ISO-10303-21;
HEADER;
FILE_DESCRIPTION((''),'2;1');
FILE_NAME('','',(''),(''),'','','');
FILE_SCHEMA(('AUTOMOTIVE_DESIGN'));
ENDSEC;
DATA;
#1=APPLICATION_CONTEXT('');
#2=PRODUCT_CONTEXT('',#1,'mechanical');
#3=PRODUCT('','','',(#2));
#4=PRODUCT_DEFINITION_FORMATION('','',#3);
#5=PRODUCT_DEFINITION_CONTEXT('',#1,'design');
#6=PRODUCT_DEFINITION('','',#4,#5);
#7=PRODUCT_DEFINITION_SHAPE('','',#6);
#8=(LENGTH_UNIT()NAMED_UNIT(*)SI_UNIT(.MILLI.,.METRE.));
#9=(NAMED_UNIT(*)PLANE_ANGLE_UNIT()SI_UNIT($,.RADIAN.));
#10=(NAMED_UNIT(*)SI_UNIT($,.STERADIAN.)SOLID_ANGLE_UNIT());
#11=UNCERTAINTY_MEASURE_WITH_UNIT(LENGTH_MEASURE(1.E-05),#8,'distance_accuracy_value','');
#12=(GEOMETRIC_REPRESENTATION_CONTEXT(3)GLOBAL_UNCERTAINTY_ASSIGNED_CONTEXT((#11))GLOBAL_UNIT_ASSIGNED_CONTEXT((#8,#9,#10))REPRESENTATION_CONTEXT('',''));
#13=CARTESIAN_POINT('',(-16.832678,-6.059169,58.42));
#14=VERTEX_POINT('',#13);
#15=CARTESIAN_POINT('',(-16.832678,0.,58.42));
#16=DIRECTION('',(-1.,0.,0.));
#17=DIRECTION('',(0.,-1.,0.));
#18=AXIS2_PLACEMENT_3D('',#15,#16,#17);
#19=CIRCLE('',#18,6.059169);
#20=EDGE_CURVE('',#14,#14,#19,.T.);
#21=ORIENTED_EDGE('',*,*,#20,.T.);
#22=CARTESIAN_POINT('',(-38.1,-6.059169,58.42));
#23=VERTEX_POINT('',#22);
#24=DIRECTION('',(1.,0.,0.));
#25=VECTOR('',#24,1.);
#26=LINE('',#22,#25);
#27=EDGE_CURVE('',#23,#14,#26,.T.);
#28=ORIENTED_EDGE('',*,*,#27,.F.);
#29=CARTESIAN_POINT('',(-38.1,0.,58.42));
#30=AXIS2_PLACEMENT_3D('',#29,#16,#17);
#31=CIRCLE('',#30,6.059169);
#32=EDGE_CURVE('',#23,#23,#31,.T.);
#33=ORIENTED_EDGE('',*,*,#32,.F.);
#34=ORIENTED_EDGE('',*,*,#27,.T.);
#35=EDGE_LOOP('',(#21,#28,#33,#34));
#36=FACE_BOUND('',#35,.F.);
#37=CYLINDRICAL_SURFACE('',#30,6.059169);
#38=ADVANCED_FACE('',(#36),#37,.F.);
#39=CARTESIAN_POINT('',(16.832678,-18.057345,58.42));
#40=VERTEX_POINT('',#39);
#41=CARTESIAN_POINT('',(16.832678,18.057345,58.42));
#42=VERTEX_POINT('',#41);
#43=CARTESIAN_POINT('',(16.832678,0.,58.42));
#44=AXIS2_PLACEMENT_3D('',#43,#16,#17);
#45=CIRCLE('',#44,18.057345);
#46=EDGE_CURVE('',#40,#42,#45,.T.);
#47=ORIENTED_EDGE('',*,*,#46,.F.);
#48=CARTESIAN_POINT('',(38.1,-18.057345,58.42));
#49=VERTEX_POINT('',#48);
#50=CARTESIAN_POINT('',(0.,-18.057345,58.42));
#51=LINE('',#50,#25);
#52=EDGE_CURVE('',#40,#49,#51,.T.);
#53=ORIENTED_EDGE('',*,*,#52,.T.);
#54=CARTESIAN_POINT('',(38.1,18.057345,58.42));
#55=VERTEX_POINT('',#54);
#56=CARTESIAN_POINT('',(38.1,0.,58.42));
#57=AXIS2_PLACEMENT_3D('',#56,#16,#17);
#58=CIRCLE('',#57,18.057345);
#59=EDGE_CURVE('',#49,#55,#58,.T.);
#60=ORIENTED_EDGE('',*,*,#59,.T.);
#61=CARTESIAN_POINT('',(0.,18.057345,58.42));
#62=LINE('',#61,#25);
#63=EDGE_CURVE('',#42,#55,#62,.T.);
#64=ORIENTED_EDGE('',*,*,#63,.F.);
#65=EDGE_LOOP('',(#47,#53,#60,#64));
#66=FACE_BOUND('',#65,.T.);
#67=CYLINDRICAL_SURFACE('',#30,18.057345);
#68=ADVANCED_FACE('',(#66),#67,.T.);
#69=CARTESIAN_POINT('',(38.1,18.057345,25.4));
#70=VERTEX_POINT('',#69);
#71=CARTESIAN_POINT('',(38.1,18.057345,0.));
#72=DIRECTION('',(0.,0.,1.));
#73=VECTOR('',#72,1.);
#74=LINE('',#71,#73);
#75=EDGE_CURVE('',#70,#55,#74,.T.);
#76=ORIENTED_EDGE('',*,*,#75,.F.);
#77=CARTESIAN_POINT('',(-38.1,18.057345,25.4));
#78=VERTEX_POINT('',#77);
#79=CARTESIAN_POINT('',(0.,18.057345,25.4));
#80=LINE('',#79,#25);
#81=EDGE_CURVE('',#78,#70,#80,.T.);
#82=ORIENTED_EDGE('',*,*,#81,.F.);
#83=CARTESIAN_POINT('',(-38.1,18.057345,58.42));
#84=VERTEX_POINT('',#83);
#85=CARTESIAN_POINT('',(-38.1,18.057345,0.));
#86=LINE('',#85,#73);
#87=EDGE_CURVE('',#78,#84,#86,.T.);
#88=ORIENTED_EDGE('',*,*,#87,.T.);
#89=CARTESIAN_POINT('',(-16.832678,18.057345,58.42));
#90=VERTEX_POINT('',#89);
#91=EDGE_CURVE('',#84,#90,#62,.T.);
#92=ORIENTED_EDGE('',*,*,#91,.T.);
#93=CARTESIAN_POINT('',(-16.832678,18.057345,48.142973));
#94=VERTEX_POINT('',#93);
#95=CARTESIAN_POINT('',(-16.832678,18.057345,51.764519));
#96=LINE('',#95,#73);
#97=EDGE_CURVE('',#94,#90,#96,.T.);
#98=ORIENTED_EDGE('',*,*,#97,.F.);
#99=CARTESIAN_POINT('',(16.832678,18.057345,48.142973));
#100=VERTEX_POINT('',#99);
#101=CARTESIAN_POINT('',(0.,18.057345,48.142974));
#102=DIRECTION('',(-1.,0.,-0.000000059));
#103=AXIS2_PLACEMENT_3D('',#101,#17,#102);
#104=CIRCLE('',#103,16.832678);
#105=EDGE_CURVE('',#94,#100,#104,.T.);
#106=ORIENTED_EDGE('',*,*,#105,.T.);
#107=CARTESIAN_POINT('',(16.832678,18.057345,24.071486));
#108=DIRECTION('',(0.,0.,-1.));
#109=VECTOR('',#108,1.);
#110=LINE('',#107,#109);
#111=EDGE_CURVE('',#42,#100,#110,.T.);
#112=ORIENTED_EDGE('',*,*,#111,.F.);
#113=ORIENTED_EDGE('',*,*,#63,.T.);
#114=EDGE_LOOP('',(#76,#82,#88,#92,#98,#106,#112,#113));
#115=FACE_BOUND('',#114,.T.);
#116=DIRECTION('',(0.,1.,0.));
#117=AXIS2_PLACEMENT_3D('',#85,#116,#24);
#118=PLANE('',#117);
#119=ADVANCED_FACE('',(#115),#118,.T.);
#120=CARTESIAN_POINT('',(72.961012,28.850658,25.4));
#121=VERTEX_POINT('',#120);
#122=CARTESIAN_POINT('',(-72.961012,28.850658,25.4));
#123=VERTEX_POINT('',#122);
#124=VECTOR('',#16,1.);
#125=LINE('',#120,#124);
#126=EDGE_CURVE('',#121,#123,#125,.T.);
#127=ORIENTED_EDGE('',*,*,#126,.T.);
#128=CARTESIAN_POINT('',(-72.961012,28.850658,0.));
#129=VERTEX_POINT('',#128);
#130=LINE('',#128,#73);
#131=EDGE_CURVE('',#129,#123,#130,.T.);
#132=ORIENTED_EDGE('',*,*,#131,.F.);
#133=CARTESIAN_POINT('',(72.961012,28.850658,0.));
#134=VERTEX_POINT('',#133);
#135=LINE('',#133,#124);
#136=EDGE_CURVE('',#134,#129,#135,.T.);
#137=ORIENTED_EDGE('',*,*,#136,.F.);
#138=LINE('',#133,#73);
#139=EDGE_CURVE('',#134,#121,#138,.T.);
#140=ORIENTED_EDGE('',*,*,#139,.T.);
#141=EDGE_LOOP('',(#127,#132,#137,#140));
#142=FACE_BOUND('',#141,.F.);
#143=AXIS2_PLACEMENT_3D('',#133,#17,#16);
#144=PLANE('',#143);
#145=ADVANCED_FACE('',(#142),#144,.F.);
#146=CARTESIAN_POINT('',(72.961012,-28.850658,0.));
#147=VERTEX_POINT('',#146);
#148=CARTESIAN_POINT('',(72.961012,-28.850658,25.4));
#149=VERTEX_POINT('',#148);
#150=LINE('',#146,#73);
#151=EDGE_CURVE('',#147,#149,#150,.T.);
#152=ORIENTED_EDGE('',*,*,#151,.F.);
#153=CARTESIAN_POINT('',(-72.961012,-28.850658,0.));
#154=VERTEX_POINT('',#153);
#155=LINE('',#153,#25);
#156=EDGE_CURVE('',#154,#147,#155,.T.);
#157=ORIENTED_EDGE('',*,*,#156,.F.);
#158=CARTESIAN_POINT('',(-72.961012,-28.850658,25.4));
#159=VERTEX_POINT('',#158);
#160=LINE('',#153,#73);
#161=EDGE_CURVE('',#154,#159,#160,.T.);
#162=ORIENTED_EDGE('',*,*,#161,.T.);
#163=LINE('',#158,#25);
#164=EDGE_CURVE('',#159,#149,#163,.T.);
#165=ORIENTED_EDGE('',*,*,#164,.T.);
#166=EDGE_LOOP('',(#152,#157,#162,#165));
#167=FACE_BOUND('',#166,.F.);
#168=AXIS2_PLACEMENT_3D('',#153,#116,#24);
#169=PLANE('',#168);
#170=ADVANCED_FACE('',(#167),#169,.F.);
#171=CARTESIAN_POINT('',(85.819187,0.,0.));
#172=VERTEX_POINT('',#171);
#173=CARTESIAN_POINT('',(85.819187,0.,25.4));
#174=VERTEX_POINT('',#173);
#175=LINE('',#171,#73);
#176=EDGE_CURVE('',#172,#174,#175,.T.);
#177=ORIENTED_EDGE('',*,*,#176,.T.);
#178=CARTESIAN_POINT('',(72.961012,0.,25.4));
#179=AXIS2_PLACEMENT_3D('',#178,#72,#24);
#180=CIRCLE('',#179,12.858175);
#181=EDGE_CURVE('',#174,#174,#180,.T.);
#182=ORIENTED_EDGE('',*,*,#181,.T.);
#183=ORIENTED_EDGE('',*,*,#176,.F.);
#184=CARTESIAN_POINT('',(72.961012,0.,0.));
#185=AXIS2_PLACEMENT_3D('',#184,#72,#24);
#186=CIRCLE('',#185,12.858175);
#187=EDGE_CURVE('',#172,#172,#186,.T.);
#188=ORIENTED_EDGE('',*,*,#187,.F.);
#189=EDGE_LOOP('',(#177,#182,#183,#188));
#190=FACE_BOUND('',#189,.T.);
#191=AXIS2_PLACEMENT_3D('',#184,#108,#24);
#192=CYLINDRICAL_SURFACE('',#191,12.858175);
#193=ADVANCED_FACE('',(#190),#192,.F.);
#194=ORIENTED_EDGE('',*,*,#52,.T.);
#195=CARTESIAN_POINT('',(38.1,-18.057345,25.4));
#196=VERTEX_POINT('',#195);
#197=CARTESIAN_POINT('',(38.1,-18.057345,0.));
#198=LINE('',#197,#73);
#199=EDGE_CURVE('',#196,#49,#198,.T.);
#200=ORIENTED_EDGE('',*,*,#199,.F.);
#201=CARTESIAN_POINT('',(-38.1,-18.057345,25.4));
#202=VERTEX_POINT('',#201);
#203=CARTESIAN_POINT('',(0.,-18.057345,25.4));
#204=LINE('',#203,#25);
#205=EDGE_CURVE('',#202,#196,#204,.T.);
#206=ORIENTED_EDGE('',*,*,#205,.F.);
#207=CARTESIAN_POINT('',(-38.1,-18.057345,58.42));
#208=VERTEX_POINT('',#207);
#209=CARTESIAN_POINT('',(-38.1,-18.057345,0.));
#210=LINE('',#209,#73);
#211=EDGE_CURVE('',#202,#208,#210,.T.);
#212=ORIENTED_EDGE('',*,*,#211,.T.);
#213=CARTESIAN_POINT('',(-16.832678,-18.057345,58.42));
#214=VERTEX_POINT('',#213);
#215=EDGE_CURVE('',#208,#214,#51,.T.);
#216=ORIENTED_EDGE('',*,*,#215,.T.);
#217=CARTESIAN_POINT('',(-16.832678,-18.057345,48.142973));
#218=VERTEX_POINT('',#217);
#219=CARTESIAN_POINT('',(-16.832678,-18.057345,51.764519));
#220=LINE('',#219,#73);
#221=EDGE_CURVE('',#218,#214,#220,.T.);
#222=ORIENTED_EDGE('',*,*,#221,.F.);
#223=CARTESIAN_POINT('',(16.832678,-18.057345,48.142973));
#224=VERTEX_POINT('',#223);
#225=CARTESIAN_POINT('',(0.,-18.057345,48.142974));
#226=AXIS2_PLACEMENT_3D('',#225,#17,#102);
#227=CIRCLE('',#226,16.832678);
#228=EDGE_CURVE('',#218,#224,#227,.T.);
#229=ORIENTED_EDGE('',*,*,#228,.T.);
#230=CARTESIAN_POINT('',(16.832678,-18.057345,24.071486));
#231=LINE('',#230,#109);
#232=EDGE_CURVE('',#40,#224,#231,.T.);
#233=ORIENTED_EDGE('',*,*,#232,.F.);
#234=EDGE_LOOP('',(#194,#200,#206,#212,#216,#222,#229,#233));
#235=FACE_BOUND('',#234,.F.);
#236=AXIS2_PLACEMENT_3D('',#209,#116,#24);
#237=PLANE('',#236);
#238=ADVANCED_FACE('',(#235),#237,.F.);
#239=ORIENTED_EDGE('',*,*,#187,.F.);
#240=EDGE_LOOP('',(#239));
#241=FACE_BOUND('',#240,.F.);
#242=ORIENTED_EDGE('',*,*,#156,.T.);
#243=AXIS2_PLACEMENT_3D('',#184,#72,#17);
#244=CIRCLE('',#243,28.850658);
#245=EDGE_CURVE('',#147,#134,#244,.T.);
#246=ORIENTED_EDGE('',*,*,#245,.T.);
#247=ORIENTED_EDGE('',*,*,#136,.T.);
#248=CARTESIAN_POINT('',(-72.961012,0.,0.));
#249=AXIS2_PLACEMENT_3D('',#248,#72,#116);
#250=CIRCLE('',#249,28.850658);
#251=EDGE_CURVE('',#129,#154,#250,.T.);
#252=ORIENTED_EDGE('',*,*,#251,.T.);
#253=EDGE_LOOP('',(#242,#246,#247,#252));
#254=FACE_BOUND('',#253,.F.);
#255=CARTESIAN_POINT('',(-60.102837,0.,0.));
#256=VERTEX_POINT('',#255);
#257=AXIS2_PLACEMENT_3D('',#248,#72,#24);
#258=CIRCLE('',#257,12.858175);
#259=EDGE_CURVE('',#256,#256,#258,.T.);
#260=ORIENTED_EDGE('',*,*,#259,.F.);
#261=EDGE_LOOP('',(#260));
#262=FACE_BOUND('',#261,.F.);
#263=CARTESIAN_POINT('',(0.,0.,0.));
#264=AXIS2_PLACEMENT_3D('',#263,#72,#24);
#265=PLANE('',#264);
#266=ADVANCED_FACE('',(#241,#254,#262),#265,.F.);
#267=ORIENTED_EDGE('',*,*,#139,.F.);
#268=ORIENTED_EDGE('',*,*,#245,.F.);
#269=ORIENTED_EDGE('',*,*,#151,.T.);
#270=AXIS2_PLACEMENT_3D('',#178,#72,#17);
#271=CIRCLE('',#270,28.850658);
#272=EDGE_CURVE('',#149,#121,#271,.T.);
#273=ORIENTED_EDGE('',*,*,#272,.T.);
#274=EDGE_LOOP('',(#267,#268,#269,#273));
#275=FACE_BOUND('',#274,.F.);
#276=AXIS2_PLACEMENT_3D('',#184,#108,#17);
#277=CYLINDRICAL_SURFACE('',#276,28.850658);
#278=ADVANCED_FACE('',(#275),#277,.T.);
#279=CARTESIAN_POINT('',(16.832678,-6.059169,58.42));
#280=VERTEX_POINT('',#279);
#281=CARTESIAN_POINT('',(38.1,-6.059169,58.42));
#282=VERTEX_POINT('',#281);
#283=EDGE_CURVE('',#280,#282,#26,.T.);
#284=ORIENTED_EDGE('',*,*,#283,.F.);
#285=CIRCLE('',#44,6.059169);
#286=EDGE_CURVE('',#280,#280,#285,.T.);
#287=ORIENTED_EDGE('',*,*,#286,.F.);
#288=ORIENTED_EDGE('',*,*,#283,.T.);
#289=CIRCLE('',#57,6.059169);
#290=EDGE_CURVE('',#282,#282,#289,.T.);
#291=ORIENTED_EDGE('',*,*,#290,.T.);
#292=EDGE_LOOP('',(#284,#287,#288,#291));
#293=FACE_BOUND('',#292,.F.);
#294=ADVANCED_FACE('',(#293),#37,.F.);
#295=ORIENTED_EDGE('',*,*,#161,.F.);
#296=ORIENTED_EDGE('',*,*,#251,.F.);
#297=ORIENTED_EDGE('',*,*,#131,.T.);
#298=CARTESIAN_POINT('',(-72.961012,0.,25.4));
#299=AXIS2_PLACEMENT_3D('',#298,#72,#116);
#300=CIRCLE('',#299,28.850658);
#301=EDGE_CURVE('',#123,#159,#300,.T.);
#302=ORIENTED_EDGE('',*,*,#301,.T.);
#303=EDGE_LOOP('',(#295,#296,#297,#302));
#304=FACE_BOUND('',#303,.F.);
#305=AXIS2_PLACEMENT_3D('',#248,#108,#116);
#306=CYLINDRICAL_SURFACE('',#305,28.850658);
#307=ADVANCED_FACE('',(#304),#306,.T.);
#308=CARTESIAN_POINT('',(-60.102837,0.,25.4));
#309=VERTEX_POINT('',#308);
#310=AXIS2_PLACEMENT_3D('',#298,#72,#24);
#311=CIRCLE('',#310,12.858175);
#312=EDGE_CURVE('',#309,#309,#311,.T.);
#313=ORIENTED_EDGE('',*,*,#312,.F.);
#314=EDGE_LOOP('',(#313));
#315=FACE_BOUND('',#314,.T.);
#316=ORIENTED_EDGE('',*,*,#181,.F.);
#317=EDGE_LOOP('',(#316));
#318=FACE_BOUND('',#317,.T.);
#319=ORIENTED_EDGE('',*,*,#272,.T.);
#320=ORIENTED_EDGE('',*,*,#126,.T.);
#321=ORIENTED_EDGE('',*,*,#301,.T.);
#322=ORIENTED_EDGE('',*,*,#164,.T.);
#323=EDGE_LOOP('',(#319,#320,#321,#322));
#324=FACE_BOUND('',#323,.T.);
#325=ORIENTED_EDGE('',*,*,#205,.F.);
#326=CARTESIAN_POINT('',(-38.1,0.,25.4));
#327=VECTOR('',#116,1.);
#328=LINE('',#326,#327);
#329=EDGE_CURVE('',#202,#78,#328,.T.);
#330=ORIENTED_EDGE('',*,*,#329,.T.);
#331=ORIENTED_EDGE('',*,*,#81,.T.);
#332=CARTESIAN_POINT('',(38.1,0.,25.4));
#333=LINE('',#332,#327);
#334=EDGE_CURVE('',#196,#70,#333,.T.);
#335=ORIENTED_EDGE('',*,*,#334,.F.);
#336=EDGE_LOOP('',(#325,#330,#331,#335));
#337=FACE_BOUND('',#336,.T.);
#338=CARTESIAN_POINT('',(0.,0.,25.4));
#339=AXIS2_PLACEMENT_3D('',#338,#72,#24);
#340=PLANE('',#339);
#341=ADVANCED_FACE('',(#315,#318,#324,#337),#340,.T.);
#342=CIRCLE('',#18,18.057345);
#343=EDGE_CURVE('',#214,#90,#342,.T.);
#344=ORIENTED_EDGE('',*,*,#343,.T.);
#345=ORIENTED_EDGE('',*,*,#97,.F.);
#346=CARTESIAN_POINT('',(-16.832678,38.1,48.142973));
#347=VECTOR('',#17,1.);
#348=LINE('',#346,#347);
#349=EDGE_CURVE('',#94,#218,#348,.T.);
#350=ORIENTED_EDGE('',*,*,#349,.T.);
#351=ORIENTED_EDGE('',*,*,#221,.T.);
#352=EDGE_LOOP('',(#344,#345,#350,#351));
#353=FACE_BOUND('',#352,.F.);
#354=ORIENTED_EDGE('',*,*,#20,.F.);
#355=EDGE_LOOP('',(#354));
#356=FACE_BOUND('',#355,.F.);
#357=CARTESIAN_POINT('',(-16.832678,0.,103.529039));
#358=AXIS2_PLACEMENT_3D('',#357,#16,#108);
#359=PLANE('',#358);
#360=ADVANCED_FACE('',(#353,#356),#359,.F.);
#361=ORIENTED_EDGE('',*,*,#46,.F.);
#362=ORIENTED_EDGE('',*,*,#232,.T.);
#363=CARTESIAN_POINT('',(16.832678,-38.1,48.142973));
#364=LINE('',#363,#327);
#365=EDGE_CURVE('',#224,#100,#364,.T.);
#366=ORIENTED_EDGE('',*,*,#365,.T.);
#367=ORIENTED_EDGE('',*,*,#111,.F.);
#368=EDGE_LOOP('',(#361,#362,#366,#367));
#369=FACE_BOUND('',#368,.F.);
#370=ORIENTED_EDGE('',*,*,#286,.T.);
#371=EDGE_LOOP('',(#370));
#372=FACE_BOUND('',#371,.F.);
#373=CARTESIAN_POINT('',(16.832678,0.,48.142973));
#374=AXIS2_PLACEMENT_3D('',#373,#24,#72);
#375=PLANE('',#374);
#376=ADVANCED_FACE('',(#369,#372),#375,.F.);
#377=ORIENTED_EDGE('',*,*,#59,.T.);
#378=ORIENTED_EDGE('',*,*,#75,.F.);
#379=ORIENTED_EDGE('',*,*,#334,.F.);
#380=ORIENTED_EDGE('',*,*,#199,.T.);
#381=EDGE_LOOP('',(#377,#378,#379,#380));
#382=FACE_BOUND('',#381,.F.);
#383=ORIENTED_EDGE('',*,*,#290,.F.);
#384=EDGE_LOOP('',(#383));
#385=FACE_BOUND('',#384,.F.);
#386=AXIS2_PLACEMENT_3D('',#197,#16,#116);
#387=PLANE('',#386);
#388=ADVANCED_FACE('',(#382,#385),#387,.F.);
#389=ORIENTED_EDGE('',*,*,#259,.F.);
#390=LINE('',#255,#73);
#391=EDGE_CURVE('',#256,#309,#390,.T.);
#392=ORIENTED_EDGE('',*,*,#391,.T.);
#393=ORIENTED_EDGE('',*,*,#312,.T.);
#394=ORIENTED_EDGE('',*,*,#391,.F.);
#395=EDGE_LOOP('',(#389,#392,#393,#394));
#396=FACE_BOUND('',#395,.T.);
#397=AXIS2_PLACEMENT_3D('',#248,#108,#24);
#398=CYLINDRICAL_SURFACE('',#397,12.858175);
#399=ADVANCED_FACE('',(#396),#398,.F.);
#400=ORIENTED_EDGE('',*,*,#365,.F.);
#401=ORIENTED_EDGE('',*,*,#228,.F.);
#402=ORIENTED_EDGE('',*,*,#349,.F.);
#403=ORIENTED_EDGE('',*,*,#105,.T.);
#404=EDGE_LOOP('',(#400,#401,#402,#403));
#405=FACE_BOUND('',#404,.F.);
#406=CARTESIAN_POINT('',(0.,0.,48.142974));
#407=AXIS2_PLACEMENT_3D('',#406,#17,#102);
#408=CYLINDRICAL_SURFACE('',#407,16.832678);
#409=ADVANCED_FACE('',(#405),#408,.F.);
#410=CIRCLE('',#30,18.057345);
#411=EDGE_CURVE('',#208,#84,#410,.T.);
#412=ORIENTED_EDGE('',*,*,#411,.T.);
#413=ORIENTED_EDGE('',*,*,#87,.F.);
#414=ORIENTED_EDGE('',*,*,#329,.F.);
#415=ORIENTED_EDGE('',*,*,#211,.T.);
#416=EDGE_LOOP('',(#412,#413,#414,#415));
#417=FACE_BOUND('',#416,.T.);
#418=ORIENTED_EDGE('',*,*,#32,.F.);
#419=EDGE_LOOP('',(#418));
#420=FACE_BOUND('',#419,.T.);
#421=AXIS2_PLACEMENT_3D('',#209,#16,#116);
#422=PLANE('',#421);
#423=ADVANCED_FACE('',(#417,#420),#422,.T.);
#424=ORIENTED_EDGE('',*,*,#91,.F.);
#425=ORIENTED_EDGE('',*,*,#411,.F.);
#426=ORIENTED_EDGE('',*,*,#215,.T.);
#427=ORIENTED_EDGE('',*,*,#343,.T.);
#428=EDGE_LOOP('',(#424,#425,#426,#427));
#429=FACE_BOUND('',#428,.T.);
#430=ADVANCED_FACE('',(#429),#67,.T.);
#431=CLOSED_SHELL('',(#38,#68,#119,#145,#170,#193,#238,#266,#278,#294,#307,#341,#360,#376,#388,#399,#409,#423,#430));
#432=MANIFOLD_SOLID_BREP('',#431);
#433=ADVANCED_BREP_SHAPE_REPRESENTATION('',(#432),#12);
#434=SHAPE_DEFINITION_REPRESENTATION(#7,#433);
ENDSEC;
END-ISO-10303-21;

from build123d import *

# Parameters (mm, degrees)
F0_W     = 76.2
F0_H     = 36.11469
F1_DEPTH = 58.42
F0_R     = 12.858175
F2_DEPTH = 25.4
F3_R     = 6.059169
F4_DEPTH = 76.2
F5_DEPTH = 76.2
F7_DEPTH = 38.1


with BuildPart() as f1:
    # F0 (on Top) → F1 (new body)
    with BuildSketch(Plane.XY):
        Rectangle(F0_W, F0_H)
    extrude(amount=F1_DEPTH)

    # F0 (on Top) → F2 (join)
    with BuildSketch(Plane.XY):
        with BuildLine():
            Line((72.961012, 28.850658), (-72.961012, 28.850658))
            ThreePointArc((-72.961012, 28.850658), (-101.81167, 0), (-72.961012, -28.850658))
            Line((-72.961012, -28.850658), (72.961012, -28.850658))
            ThreePointArc((72.961012, -28.850658), (101.81167, 0), (72.961012, 28.850658))
        make_face()
        with Locations((-72.961012, 0)):
            Circle(F0_R, mode=Mode.SUBTRACT)
        Rectangle(F0_W, F0_H, mode=Mode.SUBTRACT)
        with Locations((72.961012, 0)):
            Circle(F0_R, mode=Mode.SUBTRACT)
    extrude(amount=F2_DEPTH)

    # F3 (on face) → F4 (join)
    with BuildSketch(Plane(origin=(-38.1, 0, 0), x_dir=(0, -1, 0), z_dir=(-1, 0, 0))):
        with Locations((0, 58.42)):
            Circle(F3_R)
        with BuildLine():
            Line((6.059169, 58.42), (18.057345, 58.42))
            ThreePointArc((18.057345, 58.42), (0, 76.477345), (-18.057345, 58.42))
            Line((-18.057345, 58.42), (-6.059169, 58.42))
            ThreePointArc((-6.059169, 58.42), (0, 64.479169), (6.059169, 58.42))
        make_face()
    extrude(amount=-F4_DEPTH)

    # F3 (on face) → F5 (cut)
    with BuildSketch(Plane(origin=(-38.1, 0, 0), x_dir=(0, -1, 0), z_dir=(-1, 0, 0))):
        with Locations((0, 58.42)):
            Circle(F3_R)
    extrude(amount=-F5_DEPTH, mode=Mode.SUBTRACT)

    # F6 (on Front) → F7 (cut, symmetric)
    with BuildSketch(Plane.XZ):
        with BuildLine():
            Line((16.832678, 103.529039), (-16.832678, 103.529039))
            Line((-16.832678, 103.529039), (-16.832678, 48.142973))
            ThreePointArc((-16.832678, 48.142973), (0, 31.310296), (16.832678, 48.142973))
            Line((16.832678, 48.142973), (16.832678, 103.529039))
        make_face()
    extrude(amount=F7_DEPTH, both=True, mode=Mode.SUBTRACT)


solid = f1.part
